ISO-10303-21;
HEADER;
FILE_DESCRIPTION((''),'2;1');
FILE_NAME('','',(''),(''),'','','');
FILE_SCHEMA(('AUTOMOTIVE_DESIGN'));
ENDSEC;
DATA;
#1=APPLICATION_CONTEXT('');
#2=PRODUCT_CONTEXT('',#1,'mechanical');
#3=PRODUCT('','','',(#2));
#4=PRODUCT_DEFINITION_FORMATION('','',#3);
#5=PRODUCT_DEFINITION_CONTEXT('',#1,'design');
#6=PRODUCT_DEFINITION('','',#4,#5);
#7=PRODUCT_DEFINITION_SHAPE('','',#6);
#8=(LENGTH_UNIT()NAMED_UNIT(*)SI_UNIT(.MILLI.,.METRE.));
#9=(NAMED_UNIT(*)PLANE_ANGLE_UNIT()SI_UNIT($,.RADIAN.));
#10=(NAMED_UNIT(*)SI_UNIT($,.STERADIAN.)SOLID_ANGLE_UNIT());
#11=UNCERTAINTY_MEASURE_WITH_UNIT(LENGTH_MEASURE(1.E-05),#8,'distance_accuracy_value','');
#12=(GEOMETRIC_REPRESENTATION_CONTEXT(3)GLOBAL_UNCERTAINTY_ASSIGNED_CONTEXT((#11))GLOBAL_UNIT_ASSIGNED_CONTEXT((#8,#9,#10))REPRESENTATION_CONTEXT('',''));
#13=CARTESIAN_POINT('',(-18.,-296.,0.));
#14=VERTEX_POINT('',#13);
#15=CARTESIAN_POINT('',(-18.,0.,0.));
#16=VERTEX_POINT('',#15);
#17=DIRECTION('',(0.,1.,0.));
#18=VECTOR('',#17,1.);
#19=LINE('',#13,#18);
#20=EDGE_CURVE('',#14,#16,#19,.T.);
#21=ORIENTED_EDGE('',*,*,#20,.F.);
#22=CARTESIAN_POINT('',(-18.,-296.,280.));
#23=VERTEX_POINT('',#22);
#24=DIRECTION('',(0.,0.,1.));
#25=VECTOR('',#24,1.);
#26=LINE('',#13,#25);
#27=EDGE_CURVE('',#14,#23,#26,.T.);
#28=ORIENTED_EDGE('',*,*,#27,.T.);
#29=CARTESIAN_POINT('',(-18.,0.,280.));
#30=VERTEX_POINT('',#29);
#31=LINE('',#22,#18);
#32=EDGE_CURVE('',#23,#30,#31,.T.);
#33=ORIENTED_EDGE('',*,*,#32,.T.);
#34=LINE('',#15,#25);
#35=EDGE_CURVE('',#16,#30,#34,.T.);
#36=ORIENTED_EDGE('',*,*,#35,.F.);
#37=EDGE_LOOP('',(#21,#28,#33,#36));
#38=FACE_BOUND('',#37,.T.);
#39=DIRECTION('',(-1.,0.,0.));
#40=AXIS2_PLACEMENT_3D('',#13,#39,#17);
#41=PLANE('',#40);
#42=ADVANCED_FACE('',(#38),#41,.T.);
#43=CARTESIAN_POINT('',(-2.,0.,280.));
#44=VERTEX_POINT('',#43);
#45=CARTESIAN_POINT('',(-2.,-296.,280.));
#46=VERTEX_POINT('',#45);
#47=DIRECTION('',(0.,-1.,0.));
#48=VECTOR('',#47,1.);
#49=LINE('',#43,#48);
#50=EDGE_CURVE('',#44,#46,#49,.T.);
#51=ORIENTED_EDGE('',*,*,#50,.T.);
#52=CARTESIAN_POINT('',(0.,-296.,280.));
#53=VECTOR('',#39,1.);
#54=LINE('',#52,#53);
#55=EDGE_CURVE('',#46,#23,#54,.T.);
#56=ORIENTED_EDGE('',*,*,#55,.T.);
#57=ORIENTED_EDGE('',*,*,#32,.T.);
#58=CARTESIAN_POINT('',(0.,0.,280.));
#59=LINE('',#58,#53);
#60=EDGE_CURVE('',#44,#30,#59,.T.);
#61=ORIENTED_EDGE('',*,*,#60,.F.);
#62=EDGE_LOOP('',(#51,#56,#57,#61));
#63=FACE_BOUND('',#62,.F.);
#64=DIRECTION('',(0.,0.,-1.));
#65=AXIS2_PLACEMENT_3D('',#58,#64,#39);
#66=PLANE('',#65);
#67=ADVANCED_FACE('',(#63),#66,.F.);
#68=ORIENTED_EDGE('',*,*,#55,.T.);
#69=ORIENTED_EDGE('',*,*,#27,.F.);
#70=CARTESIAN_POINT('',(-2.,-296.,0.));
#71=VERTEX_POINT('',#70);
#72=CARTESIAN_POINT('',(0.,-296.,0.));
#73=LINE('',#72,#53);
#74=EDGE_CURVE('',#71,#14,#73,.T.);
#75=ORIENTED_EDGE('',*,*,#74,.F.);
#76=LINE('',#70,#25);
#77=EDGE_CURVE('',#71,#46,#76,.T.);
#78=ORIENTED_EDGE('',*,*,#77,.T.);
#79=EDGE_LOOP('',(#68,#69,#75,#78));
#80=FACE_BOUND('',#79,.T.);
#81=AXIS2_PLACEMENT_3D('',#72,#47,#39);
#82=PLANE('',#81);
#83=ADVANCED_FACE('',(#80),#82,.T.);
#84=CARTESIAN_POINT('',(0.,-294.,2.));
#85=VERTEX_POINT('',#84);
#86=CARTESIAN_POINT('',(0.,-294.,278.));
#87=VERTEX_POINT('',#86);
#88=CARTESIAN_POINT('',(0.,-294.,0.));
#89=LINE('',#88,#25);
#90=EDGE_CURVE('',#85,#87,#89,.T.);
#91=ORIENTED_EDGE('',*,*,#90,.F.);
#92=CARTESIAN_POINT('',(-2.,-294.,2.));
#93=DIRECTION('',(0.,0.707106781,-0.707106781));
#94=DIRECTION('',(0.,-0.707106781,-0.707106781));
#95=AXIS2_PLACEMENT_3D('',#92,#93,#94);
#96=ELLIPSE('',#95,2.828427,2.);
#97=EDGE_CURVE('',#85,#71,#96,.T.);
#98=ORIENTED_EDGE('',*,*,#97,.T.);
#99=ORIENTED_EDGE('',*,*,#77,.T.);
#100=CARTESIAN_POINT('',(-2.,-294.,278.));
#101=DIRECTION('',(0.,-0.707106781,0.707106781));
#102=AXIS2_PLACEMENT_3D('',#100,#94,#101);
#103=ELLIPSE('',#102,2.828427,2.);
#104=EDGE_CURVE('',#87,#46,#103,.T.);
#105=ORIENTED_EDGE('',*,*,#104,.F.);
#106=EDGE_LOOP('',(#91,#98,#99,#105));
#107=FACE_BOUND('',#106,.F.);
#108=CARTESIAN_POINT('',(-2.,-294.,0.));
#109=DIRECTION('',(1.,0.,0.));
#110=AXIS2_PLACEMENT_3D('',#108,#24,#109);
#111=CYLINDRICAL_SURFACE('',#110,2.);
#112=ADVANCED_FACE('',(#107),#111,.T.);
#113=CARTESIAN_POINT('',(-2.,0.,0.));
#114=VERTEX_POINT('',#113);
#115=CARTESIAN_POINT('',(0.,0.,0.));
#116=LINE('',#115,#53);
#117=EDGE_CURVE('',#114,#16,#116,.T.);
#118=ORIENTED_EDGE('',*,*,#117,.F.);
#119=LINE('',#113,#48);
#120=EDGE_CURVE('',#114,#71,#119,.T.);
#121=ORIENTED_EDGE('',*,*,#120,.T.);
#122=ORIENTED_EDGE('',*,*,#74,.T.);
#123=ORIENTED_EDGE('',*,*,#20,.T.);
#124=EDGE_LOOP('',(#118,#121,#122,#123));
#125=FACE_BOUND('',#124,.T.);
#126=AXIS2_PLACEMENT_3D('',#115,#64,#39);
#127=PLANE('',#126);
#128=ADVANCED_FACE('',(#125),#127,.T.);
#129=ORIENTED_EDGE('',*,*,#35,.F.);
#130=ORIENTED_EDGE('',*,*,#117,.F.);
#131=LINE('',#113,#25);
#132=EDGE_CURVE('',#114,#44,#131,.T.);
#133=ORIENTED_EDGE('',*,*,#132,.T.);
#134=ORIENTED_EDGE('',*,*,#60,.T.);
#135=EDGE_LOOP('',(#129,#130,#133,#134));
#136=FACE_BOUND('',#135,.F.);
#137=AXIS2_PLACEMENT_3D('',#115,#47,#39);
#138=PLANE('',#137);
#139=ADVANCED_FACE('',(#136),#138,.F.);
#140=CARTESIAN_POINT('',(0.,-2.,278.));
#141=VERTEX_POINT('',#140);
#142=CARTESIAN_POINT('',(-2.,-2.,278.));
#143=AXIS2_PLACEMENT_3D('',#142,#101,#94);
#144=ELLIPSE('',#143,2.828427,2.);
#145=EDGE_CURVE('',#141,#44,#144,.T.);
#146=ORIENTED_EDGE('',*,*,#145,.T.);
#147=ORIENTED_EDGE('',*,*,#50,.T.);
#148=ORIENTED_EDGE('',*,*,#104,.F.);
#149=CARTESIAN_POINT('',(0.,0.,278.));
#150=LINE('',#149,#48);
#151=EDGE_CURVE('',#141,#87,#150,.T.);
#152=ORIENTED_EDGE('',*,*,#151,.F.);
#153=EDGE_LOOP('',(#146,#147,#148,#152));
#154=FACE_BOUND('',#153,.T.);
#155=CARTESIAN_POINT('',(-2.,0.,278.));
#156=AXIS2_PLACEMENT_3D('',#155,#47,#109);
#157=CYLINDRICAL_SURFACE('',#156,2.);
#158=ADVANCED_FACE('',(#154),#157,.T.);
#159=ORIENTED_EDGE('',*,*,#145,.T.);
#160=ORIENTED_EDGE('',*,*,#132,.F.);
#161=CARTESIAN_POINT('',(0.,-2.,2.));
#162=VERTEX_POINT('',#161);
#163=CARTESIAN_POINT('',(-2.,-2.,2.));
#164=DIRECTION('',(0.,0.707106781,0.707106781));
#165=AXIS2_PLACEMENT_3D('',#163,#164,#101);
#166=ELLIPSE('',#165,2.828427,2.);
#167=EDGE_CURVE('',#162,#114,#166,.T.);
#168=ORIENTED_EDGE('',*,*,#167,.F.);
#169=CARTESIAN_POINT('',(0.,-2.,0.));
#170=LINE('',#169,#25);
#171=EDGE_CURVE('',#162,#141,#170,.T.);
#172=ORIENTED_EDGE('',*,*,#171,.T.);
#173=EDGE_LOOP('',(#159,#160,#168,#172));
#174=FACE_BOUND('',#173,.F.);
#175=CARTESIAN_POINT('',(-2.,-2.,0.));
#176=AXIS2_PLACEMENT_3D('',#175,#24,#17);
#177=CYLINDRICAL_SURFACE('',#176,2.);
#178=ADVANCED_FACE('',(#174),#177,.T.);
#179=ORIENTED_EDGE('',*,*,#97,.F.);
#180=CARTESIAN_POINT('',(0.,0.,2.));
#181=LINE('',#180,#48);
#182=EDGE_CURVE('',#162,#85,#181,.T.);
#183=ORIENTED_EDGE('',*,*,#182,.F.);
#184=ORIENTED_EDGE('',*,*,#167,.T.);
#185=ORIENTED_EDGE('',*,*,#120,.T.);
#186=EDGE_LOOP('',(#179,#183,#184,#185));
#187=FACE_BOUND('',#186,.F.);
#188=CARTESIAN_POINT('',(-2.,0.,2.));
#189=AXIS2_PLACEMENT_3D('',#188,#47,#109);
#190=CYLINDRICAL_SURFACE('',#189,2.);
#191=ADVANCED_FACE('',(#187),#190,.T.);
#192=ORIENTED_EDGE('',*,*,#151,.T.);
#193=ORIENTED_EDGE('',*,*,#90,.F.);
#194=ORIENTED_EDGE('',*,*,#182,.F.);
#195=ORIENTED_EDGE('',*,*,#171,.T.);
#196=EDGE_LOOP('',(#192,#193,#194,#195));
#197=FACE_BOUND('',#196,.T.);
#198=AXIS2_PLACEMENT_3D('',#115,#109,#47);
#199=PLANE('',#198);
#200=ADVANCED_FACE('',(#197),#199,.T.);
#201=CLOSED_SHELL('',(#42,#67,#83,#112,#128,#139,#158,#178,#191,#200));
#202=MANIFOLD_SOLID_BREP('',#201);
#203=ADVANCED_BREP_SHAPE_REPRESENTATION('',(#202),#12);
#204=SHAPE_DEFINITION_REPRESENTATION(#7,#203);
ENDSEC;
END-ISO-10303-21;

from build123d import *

# Parameters (mm, degrees)
F0_W     = 42.5913929939
F0_H     = 36.7285981774
F1_DEPTH = 18
F2_DEPTH = 282
F3_DEPTH = 296
F4_DEPTH = 280
F5_R     = 2


with BuildPart() as f1:
    # F0 (on Right) → F1 (new body)
    with BuildSketch(Plane.YZ):
        with Locations((-21.295696497, 18.3642990887)):
            Rectangle(F0_W, F0_H)
    extrude(amount=-F1_DEPTH)

    # F2 (add): a face of the model
    f2_faces = [f1.faces().sort_by_distance(p)[0] for p in [
        (-9, -21.295696497, 0),
    ]]
    extrude(f2_faces, amount=-F2_DEPTH)

    # F3 (add): a face of the model
    f3_faces = [f1.faces().sort_by_distance(p)[0] for p in [
        (-9, 0, 141),
    ]]
    extrude(f3_faces, amount=-F3_DEPTH)

    # F4 (intersect): a face of the model
    f4_faces = [f1.faces().sort_by_distance(p)[0] for p in [
        (-9, -148, 0),
    ]]
    extrude(f4_faces, amount=-F4_DEPTH, mode=Mode.INTERSECT)

    # F5
    f5_edges = [f1.edges().sort_by_distance(p)[0] for p in [
        (0, -148, 0),
        (0, -296, 140),
        (0, -148, 280),
        (0, 0, 140),
    ]]
    fillet(f5_edges, radius=F5_R)


solid = f1.part
